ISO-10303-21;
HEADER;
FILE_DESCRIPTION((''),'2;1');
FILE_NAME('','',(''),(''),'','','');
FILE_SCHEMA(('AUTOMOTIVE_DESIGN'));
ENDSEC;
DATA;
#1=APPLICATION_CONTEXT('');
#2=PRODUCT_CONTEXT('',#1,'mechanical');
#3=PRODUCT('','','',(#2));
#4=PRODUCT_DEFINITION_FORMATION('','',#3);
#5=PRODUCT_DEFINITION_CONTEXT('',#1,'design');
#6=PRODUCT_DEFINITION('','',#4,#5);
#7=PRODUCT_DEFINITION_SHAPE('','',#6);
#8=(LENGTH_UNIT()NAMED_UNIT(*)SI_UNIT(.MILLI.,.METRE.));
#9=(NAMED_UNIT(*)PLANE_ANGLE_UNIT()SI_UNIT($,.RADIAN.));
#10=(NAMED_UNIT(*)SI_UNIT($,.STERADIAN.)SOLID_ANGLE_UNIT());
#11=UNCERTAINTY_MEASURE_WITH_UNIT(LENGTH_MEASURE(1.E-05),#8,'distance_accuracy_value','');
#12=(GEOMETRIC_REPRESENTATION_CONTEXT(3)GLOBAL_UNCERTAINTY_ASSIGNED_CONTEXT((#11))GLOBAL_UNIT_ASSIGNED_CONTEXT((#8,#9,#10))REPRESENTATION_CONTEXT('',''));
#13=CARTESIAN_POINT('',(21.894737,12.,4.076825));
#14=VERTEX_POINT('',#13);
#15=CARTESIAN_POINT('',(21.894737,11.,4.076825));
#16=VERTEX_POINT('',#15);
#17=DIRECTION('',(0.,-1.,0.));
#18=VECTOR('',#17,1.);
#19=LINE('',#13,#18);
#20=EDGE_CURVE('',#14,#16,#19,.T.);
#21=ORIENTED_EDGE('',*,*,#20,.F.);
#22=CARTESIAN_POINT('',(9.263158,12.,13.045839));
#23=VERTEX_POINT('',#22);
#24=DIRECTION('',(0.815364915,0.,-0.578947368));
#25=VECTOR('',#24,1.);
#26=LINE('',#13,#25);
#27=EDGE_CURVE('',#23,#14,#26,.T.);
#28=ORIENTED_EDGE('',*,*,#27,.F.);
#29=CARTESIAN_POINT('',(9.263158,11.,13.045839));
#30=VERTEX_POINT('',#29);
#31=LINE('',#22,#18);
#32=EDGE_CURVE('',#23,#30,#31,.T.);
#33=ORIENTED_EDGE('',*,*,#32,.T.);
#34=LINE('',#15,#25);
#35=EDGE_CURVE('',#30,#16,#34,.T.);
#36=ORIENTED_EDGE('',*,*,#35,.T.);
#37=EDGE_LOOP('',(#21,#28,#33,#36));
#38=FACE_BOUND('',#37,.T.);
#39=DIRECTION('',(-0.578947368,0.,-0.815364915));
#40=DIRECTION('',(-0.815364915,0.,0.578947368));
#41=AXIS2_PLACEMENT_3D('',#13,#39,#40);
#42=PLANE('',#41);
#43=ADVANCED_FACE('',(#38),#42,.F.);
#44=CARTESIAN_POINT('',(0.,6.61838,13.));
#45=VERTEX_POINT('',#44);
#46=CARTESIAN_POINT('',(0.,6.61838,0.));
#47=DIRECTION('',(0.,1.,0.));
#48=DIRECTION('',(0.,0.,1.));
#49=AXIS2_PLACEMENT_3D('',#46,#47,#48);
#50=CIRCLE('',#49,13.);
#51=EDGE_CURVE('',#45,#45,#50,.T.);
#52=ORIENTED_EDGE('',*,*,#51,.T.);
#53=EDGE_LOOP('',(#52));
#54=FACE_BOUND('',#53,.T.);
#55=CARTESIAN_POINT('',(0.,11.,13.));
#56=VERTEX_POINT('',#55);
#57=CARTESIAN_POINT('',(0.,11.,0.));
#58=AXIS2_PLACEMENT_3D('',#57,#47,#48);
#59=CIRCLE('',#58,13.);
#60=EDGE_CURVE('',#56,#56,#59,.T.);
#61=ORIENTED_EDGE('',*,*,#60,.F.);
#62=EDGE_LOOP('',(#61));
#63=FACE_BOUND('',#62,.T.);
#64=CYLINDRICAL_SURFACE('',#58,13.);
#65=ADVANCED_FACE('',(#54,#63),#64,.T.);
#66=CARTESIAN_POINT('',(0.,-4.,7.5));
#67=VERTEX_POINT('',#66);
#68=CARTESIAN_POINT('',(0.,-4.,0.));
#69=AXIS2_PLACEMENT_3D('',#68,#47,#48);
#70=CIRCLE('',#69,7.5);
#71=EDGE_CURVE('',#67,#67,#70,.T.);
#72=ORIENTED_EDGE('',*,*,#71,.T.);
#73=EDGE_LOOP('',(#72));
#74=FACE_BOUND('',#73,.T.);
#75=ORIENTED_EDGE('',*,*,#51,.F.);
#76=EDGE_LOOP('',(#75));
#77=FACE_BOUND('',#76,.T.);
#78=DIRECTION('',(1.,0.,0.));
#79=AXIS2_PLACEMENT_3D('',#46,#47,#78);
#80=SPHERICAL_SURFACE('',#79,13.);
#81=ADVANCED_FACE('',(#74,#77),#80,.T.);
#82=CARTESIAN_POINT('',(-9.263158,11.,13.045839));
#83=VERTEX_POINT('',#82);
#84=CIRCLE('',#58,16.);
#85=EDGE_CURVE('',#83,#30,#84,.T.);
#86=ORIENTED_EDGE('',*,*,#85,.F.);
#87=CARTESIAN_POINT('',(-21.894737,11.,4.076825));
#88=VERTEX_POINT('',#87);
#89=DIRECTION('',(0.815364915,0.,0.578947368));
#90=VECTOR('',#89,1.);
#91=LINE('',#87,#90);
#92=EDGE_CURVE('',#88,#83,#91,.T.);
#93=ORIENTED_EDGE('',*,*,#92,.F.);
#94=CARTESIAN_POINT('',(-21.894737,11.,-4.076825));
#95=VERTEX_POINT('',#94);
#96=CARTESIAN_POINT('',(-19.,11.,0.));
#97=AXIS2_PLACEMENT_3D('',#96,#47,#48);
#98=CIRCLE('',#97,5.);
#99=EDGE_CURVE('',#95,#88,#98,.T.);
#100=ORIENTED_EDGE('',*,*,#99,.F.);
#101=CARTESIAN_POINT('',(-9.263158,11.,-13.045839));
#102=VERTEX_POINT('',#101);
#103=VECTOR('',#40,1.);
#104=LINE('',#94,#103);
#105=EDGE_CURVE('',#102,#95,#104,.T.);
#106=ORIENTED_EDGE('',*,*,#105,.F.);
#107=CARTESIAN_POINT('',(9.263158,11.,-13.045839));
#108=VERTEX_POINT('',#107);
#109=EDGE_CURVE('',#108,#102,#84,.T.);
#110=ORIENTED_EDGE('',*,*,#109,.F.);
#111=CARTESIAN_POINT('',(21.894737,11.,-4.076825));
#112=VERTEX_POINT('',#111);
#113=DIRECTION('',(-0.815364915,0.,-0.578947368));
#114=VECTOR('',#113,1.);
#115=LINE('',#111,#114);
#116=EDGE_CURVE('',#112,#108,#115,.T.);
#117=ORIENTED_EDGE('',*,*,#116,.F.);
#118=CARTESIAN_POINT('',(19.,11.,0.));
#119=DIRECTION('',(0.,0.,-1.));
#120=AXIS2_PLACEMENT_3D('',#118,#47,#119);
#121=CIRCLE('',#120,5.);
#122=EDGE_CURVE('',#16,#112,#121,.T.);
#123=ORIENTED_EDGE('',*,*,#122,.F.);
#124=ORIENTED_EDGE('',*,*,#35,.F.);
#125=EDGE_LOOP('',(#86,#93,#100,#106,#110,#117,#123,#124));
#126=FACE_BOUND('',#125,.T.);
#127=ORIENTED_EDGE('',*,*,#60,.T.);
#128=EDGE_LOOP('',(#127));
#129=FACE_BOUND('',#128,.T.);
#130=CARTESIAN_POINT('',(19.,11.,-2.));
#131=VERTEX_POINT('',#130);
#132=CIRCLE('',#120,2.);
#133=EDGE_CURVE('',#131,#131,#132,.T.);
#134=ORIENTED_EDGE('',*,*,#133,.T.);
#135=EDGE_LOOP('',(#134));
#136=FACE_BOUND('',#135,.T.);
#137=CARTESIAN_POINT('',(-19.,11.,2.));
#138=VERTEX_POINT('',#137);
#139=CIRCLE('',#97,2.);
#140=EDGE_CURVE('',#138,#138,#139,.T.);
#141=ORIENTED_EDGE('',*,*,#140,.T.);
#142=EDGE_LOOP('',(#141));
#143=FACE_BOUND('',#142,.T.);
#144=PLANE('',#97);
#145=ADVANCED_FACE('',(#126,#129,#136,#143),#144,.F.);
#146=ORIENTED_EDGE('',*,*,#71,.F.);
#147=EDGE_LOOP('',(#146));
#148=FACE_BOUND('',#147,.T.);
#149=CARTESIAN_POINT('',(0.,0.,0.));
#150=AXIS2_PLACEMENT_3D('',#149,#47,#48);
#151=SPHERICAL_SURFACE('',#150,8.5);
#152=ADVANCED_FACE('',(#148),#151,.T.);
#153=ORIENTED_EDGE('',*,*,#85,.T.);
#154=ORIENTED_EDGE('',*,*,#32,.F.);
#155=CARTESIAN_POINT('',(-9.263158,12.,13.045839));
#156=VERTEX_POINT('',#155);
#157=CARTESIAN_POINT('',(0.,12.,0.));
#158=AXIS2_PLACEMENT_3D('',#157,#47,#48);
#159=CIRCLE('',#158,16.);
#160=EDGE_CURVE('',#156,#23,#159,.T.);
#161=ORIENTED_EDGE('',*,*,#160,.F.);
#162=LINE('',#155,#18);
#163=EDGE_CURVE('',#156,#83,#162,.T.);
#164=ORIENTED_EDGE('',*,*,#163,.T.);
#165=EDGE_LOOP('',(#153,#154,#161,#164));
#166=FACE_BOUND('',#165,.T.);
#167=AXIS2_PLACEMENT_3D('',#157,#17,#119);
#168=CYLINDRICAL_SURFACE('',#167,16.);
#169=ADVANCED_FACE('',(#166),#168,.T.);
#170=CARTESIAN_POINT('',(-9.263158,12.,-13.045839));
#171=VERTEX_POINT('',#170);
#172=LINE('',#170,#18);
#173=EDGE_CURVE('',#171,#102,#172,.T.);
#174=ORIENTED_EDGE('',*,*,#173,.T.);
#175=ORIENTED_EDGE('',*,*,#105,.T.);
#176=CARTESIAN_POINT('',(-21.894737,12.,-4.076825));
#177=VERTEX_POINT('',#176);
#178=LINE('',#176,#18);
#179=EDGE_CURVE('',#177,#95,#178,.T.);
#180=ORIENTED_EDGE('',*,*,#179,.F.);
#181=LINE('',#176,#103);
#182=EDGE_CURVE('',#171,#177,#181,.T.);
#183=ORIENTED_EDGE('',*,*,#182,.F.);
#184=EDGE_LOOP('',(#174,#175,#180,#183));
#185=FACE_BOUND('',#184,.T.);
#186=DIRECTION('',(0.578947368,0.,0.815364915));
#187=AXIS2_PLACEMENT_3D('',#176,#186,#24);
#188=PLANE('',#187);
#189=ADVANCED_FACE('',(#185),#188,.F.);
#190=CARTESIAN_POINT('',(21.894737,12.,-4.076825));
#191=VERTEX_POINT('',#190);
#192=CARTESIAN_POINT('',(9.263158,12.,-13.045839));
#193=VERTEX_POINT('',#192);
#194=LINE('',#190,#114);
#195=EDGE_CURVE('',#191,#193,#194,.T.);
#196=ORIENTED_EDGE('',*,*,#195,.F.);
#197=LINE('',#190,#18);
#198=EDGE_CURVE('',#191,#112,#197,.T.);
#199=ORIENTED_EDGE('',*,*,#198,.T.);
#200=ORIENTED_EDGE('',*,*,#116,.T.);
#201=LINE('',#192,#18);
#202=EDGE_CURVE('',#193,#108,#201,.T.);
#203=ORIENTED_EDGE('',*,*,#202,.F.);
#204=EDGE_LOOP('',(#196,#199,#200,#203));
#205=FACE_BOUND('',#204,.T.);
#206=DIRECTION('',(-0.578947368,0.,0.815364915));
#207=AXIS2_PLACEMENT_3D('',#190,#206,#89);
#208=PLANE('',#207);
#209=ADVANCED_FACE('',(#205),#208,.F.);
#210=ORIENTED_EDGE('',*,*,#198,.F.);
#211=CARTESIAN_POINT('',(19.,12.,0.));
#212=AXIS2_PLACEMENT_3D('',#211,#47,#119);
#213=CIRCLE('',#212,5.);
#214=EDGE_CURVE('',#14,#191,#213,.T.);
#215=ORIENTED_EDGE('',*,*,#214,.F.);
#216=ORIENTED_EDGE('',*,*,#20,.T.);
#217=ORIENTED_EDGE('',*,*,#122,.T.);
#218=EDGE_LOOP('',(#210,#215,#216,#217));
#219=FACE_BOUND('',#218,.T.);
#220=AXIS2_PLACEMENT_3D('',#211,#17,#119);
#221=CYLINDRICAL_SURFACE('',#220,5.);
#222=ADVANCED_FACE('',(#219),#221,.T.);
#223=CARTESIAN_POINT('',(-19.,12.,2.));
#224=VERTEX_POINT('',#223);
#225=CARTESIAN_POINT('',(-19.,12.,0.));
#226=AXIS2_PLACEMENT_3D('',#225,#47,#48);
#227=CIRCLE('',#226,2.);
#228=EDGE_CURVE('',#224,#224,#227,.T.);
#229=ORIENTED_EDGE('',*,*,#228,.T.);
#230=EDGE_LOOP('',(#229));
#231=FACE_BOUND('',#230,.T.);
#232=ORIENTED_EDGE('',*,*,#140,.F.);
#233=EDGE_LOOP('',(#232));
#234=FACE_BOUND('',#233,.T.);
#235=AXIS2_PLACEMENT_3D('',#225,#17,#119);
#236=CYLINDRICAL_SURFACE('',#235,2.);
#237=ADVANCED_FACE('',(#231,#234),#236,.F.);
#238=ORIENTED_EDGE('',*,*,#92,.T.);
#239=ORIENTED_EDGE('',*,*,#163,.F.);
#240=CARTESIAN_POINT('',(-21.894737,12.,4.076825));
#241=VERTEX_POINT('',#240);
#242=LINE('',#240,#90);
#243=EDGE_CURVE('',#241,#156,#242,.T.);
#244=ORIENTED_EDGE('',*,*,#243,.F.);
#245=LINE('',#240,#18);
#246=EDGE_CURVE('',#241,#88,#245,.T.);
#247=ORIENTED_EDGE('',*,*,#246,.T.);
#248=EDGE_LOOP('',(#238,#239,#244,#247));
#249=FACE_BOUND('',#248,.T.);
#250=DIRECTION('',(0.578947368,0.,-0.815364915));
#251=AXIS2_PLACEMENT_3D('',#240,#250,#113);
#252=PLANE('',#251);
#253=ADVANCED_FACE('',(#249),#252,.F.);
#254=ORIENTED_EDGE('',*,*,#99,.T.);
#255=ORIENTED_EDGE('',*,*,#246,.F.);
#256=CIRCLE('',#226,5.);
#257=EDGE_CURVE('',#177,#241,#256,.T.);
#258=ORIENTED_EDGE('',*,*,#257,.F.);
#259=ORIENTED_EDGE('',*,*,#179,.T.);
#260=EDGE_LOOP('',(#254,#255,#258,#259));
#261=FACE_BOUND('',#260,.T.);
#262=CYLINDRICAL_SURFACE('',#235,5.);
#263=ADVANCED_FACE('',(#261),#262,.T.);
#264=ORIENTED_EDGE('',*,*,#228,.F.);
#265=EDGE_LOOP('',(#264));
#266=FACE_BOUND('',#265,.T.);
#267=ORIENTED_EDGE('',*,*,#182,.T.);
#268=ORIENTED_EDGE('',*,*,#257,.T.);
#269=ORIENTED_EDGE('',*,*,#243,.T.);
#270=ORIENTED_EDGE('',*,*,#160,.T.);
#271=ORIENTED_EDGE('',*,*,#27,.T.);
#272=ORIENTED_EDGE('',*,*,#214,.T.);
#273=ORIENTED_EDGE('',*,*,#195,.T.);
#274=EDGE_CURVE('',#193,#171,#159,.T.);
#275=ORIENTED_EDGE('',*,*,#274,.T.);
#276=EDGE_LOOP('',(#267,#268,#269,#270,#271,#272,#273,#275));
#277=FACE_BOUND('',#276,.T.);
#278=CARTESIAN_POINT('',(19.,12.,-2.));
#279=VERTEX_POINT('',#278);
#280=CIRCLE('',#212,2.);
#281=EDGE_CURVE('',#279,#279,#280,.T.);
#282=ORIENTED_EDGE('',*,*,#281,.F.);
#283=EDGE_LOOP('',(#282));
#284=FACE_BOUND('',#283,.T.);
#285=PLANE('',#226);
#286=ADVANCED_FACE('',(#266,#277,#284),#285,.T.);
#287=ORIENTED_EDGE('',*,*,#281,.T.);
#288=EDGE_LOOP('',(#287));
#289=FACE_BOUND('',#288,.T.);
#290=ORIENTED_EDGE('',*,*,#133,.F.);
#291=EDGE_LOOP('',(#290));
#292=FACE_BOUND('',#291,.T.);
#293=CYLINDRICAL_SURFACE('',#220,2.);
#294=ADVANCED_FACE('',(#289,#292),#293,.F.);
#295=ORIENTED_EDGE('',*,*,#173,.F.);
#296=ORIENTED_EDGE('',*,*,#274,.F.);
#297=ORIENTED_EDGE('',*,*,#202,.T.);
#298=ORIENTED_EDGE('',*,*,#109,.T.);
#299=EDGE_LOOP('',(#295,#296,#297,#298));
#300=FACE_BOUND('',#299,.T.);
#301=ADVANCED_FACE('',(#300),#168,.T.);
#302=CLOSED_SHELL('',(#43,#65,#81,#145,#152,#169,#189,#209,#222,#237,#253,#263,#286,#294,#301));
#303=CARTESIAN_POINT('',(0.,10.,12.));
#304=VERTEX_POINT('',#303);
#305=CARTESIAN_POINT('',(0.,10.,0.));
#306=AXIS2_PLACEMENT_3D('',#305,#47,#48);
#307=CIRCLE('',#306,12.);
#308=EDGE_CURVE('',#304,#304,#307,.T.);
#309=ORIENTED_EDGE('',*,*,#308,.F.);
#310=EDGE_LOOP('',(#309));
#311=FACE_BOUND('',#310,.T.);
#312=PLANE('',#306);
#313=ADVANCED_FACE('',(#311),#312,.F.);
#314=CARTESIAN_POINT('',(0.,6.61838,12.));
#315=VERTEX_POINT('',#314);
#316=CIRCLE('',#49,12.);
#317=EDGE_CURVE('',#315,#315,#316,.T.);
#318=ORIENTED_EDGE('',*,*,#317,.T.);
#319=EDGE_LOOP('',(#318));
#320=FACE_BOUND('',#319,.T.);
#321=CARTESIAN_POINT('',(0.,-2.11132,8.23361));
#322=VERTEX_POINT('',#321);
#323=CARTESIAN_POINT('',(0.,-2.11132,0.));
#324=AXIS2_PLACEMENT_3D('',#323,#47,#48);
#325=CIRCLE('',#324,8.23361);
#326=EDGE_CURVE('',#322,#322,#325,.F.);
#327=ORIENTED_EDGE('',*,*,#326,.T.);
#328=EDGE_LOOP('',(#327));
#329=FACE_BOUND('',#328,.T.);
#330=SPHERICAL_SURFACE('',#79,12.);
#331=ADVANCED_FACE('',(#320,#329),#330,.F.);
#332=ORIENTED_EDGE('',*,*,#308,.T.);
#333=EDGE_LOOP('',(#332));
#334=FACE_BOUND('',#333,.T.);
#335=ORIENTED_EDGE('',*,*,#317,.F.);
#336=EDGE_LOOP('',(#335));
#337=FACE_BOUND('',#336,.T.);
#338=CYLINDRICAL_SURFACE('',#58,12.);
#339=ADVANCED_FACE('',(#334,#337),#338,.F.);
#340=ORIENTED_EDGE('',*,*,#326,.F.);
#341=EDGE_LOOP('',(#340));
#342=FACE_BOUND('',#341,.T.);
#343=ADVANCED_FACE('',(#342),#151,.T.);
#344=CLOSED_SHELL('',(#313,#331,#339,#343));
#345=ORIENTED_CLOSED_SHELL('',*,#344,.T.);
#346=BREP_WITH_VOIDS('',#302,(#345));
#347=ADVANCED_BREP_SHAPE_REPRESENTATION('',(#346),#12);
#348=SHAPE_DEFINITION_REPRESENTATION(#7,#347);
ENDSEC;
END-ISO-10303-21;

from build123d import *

# Parameters (mm, degrees)
SKETCH3_R           = 2
BOSS_EXTRUDE1_DEPTH = 1


with BuildPart() as part:
    # Sketch1 → Revolve1 (revolve)
    with BuildSketch(Plane(origin=(0, 0, 0), x_dir=(1, 0, 0), z_dir=(0, 1, 0))):
        with BuildLine():
            Line((0, 8.5), (0, -8.5))
            ThreePointArc((0, -8.5), (8.5, 0), (0, 8.5))
        make_face()
    revolve(axis=Axis((0, 0, -8.5), (0, 0, 1)))

    # Sketch2 → Revolve2 (revolve)
    with BuildSketch(Plane.XY, mode=Mode.PRIVATE) as revolve2_sk:
        with BuildLine():
            Line((13, 6.618380291), (13, 11))
            Line((13, 11), (0, 11))
            Line((0, 11), (0, 10))
            Line((0, 10), (12, 10))
            Line((12, 10), (12, 6.618380291))
            ThreePointArc((12, 6.618380291), (11.018242025, 1.864608874), (8.233609553, -2.111320376))
            ThreePointArc((8.233609553, -2.111320376), (7.923281837, -3.077597265), (7.5, -4))
            ThreePointArc((7.5, -4), (11.543396381, 0.639249919), (13, 6.618380291))
        make_face()
    revolve(revolve2_sk.sketch.rotate(Axis((0, 11, 0), (0, -1, 0)), 90), axis=Axis((0, 11, 0), (0, -1, 0)))

    # Sketch3 → Boss-Extrude1 (add)
    with BuildSketch(Plane(origin=(0, 11, 0), x_dir=(1, 0, 0), z_dir=(0, 1, 0))):
        with BuildLine():
            Line((-21.894736842, 4.076824575), (-9.263157895, 13.04583864))
            ThreePointArc((-9.263157895, 13.04583864), (0, 16), (9.263157895, 13.04583864))
            Line((9.263157895, 13.04583864), (21.894736842, 4.076824575))
            ThreePointArc((21.894736842, 4.076824575), (24, 0), (21.894736842, -4.076824575))
            Line((21.894736842, -4.076824575), (9.263157895, -13.04583864))
            ThreePointArc((9.263157895, -13.04583864), (0, -16), (-9.263157895, -13.04583864))
            Line((-9.263157895, -13.04583864), (-21.894736842, -4.076824575))
            ThreePointArc((-21.894736842, -4.076824575), (-24, 0), (-21.894736842, 4.076824575))
        make_face()
        with Locations(Location((-19, 0, 0), (0, 0, 270))):
            Circle(SKETCH3_R, mode=Mode.SUBTRACT)
        with Locations(Location((19, 0, 0), (0, 0, 90))):
            Circle(SKETCH3_R, mode=Mode.SUBTRACT)
    extrude(amount=BOSS_EXTRUDE1_DEPTH)


solid = part.part
